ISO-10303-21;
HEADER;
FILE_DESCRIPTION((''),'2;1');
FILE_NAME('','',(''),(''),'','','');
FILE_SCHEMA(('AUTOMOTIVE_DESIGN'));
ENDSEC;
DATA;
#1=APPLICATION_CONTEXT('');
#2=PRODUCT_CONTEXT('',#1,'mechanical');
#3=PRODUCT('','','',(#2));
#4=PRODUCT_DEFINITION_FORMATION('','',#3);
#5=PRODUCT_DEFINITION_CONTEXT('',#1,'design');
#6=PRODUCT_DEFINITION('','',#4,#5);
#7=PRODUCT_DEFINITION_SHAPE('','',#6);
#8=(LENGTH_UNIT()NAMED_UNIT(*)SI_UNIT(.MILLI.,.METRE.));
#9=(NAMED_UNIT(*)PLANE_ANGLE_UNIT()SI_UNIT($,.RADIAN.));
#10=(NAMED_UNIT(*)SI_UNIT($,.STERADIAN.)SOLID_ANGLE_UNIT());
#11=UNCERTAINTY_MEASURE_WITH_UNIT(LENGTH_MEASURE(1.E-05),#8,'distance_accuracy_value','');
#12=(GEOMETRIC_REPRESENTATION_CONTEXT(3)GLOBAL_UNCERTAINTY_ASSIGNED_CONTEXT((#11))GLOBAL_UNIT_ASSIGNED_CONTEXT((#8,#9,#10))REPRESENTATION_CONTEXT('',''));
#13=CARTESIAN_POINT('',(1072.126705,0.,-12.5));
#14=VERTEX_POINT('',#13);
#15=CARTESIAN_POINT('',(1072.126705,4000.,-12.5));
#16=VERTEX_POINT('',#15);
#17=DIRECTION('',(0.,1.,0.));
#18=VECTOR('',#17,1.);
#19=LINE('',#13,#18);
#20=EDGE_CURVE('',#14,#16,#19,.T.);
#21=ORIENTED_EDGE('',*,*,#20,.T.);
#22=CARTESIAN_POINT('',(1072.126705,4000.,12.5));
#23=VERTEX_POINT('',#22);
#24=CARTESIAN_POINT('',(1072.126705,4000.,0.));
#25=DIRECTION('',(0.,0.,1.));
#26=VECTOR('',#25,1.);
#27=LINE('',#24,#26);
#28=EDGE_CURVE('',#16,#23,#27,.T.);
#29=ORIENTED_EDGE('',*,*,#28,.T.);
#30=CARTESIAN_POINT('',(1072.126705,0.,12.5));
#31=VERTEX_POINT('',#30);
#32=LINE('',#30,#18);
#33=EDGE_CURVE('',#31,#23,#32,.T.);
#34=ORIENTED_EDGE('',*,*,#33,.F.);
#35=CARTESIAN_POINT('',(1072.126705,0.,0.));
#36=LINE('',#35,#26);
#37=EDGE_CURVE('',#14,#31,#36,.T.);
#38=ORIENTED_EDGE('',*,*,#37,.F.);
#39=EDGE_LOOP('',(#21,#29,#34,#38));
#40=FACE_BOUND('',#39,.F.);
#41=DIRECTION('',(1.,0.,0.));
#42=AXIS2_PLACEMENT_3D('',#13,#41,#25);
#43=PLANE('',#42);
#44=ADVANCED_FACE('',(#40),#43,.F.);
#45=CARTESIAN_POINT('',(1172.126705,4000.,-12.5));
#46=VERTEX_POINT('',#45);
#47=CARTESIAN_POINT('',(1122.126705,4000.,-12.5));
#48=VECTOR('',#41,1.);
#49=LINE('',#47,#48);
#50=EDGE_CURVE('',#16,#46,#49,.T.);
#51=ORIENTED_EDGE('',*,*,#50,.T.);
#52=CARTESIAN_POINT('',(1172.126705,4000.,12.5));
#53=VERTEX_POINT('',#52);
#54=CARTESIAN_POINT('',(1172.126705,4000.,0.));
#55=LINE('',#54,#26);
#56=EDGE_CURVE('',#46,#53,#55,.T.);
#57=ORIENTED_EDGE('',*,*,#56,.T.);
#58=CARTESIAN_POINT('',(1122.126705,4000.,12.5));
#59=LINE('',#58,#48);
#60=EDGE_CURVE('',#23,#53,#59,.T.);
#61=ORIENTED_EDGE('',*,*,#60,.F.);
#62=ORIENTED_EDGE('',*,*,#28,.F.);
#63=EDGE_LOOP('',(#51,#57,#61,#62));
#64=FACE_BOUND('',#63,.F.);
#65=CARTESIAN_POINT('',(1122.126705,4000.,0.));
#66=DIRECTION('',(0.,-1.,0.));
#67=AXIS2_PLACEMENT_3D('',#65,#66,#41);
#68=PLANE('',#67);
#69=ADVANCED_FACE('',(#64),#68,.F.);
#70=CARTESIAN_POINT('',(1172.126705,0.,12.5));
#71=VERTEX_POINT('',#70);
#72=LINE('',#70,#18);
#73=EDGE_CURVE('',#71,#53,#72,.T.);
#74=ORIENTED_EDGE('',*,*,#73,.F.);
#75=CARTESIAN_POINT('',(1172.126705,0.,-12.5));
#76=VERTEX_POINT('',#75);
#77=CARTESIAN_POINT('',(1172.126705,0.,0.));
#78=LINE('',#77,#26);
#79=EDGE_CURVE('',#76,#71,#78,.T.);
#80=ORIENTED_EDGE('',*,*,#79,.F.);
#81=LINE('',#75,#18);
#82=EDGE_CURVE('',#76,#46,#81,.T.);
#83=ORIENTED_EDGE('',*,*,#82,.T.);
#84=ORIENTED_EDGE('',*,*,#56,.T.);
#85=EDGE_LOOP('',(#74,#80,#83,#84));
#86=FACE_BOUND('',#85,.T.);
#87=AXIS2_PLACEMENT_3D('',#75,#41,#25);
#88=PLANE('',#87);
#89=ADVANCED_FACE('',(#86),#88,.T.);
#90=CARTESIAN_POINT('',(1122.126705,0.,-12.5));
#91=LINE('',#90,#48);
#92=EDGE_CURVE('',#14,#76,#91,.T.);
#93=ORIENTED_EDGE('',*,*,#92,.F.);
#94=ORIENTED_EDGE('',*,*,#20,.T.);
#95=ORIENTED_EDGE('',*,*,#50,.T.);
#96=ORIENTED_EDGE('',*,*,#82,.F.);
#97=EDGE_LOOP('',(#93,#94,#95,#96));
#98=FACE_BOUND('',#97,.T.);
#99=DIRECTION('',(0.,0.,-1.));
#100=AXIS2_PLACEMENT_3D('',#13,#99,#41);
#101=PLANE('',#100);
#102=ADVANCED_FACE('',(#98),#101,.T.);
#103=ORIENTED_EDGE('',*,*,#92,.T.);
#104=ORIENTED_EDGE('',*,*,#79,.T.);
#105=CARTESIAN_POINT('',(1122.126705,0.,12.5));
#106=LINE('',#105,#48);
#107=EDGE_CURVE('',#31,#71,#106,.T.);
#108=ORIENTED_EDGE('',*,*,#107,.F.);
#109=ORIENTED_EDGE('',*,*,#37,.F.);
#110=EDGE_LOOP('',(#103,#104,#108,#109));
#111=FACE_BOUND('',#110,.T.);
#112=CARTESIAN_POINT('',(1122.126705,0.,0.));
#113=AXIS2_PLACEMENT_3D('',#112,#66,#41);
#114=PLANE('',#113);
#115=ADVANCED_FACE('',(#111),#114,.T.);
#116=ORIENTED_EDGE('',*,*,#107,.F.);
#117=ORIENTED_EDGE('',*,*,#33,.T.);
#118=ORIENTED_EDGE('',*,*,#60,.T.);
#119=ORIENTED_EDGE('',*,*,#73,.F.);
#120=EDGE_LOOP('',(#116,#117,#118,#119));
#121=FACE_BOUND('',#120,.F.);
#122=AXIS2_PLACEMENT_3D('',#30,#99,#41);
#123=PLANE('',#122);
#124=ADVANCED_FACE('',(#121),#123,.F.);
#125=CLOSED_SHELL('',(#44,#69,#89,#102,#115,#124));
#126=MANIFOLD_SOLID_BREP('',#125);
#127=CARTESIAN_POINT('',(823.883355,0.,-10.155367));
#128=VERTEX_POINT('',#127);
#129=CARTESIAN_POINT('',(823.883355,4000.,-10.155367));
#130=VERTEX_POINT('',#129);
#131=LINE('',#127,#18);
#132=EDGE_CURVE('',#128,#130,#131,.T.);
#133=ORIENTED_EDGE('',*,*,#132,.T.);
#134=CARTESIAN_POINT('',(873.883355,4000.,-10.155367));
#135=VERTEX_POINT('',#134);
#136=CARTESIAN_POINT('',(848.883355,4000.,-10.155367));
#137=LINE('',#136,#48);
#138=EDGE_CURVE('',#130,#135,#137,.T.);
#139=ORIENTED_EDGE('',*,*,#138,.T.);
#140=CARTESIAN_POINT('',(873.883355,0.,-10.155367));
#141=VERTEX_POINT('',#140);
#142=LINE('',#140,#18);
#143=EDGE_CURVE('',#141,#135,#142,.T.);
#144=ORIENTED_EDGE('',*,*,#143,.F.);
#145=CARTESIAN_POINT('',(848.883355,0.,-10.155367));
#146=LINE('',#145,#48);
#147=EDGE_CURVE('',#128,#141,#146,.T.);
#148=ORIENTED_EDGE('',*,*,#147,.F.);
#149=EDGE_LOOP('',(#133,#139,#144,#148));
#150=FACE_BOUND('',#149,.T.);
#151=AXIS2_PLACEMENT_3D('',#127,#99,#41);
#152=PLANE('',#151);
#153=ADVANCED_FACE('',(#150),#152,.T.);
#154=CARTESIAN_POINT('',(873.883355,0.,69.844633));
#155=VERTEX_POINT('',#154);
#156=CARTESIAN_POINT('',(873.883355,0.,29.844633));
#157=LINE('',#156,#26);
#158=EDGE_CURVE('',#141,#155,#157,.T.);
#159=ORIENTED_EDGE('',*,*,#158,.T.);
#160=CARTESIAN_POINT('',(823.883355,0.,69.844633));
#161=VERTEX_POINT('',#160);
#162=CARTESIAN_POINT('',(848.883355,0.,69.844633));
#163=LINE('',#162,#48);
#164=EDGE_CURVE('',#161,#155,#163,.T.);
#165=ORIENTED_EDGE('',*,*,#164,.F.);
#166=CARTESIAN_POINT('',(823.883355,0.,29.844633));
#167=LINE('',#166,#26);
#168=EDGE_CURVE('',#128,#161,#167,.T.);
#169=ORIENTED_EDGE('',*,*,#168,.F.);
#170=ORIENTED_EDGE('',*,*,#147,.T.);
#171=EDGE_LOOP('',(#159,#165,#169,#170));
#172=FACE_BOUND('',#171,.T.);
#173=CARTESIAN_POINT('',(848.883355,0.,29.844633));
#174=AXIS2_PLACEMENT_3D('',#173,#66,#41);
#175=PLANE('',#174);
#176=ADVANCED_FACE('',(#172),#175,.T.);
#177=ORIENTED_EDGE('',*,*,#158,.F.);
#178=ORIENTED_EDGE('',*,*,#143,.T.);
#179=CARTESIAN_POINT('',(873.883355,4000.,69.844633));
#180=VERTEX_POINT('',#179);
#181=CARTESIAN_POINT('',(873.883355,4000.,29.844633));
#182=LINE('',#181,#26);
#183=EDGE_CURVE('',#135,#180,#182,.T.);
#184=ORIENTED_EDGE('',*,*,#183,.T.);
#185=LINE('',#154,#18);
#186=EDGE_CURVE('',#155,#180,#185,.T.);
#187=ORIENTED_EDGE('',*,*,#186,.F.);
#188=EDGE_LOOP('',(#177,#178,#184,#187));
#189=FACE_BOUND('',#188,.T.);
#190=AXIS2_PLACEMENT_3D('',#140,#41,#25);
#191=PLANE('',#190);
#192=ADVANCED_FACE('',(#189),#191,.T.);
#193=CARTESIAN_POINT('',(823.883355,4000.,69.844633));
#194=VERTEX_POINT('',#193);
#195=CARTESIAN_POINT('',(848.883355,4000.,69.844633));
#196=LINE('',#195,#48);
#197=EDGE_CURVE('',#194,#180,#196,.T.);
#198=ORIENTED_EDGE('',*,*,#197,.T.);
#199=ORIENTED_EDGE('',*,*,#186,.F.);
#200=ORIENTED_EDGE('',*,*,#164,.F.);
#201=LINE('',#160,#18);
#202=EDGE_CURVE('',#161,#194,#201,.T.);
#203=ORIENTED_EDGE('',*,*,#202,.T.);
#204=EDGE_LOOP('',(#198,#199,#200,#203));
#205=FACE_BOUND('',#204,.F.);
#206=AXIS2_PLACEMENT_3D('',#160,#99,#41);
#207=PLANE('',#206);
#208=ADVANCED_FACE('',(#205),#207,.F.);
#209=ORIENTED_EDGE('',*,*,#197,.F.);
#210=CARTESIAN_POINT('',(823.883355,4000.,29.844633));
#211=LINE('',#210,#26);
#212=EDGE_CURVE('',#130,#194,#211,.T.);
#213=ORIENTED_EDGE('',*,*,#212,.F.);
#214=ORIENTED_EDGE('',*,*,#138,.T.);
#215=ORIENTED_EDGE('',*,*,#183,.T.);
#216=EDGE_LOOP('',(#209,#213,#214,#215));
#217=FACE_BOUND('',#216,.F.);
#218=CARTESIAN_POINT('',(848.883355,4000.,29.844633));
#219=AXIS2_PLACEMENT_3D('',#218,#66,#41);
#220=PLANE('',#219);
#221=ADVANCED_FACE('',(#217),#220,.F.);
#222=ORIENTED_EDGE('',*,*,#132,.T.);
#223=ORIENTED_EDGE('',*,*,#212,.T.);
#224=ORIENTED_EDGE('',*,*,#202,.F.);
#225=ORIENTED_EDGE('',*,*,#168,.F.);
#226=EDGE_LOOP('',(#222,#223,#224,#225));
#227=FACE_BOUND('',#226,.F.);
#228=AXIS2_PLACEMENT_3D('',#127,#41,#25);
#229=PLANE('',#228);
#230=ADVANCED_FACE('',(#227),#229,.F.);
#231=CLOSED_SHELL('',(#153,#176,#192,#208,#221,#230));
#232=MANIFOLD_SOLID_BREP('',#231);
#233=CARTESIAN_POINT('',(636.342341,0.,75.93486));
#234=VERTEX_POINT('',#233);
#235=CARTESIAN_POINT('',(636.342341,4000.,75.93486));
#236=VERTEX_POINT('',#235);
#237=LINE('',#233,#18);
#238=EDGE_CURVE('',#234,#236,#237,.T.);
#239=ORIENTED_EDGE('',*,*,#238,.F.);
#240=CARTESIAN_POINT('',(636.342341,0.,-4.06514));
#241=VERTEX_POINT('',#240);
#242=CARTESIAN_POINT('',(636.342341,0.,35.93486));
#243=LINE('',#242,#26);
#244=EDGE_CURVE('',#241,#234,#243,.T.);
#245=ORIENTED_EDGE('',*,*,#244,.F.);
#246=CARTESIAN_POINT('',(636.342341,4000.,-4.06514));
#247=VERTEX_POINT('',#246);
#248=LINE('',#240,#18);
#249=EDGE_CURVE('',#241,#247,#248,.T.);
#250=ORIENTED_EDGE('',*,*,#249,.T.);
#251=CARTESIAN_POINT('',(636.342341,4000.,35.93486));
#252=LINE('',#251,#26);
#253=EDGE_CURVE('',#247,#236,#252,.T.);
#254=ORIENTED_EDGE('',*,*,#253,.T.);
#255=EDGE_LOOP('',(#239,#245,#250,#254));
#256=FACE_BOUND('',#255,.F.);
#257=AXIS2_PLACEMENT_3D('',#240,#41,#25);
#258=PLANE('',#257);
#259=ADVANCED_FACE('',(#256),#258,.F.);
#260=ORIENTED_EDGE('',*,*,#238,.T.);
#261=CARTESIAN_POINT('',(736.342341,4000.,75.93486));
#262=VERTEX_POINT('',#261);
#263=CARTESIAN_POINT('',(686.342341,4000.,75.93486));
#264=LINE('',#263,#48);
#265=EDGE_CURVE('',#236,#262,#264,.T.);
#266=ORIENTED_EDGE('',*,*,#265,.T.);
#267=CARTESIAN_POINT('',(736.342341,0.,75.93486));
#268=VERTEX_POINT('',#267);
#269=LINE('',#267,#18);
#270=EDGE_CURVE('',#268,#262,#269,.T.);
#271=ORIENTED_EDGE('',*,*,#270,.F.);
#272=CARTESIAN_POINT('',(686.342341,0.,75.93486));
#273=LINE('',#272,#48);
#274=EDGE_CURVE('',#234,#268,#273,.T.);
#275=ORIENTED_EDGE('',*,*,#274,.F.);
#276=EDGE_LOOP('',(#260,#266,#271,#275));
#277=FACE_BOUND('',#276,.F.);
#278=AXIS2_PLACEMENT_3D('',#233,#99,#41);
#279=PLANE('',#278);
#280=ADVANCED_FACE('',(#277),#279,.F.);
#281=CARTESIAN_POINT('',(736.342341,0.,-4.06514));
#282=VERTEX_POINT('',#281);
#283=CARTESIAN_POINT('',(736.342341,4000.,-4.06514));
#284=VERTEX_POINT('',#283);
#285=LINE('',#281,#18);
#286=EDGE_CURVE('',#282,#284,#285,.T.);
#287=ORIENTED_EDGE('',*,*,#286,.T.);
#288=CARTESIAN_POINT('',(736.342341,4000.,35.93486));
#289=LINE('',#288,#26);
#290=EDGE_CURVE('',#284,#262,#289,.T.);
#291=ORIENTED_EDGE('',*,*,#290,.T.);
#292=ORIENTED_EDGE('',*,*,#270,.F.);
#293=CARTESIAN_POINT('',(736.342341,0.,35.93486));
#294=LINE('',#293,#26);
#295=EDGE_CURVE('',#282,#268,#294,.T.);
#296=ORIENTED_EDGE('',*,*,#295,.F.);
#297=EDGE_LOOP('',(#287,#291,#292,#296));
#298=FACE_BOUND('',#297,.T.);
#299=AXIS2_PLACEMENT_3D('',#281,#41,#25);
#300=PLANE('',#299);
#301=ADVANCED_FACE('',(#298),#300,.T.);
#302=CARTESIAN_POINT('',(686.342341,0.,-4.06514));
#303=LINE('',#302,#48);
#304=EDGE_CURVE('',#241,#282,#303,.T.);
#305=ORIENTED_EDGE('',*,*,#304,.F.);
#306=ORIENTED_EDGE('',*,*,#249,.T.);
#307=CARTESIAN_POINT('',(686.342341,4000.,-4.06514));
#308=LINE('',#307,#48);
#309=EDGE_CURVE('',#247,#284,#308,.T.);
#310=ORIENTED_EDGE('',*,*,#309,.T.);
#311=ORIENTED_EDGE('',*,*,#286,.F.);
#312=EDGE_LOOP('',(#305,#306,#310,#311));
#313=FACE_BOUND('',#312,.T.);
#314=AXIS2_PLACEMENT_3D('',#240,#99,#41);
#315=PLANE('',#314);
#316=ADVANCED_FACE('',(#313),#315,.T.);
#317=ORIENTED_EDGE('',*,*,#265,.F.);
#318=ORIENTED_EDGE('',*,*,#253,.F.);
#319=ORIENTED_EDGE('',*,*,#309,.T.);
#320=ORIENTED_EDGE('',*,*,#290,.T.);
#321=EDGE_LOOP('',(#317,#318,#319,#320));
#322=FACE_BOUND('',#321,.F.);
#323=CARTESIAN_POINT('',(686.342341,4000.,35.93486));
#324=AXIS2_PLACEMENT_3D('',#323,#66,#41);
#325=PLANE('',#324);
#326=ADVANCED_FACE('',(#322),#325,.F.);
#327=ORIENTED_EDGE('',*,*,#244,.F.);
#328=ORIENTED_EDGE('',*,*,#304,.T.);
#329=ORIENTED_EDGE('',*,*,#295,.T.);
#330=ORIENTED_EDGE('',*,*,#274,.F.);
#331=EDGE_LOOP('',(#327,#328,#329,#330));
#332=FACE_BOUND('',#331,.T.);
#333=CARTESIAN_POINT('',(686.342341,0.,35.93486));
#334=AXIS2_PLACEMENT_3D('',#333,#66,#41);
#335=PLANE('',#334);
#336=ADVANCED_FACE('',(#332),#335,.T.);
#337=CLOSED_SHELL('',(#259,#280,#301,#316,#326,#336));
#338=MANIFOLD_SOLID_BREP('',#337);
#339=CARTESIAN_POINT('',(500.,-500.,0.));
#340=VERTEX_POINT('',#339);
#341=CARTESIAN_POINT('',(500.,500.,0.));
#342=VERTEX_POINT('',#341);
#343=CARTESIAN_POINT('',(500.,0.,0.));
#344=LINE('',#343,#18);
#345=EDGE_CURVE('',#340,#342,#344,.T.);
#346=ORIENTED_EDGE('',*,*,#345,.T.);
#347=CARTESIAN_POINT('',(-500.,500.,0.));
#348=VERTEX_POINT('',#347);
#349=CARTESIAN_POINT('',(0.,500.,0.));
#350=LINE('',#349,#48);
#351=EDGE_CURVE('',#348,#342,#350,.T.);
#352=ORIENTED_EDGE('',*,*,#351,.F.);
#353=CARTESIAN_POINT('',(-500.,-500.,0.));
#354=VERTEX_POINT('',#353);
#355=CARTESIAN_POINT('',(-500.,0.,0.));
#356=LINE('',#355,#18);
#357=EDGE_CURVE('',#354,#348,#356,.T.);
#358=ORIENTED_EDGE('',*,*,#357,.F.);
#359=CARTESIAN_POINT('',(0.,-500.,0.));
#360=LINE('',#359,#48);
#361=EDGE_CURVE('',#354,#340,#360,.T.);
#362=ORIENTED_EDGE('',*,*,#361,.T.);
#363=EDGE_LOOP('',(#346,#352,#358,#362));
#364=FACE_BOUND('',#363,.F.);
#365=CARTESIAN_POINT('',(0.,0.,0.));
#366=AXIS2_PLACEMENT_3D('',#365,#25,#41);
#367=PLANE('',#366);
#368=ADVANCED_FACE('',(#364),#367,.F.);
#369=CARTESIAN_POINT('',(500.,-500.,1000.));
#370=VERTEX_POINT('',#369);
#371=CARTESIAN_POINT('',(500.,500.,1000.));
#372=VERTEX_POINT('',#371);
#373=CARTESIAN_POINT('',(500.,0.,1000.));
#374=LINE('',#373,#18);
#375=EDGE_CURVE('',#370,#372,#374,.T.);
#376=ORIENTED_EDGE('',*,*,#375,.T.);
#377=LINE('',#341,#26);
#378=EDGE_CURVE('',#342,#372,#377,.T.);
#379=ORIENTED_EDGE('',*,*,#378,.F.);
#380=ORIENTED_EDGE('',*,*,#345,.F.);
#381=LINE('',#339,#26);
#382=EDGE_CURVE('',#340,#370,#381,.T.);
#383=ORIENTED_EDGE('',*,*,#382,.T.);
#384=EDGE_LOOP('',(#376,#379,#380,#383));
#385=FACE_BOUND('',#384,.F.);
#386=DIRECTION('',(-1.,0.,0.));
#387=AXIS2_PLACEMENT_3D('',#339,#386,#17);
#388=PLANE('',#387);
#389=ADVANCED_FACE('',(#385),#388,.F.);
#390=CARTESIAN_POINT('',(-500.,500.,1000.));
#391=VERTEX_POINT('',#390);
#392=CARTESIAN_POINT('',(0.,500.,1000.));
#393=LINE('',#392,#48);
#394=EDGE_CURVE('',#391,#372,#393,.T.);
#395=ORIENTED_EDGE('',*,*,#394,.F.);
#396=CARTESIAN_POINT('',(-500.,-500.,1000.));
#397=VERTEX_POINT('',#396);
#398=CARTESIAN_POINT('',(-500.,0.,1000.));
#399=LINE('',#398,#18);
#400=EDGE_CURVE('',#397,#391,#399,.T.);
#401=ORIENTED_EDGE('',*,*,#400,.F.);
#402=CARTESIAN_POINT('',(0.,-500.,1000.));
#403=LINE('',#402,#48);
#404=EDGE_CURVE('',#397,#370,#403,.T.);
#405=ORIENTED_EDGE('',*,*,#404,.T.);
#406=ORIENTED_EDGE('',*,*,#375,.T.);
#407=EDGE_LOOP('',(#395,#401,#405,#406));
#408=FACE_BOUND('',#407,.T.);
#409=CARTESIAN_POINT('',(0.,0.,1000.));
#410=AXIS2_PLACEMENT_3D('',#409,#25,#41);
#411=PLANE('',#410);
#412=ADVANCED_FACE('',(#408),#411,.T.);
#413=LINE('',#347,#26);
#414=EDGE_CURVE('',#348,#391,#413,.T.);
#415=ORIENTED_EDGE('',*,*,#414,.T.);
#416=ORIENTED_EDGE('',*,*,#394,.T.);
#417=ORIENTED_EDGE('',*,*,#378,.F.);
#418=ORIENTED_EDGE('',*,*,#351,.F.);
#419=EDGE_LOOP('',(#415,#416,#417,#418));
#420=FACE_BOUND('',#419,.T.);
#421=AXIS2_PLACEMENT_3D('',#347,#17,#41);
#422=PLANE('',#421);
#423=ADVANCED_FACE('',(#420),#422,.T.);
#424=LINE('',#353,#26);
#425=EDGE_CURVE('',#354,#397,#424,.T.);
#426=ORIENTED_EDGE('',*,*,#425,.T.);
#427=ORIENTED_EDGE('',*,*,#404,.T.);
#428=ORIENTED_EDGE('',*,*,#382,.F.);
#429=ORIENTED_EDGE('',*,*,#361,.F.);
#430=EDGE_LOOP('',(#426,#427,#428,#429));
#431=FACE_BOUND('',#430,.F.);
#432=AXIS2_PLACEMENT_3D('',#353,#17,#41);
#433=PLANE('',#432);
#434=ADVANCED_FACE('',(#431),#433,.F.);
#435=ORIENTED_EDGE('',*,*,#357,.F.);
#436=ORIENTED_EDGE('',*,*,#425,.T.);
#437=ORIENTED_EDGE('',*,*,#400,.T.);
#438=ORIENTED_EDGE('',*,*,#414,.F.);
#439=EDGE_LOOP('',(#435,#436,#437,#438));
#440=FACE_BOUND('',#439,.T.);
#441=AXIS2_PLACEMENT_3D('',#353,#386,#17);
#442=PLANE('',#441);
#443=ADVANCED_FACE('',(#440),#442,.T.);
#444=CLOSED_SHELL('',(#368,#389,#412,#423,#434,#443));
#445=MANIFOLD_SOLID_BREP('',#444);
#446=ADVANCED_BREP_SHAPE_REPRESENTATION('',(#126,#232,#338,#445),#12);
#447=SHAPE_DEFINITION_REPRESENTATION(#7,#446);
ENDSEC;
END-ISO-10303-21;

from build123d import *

# Parameters (mm, degrees)
F0_W     = 1000
F0_H     = 1000
F1_DEPTH = 1000
F2_W     = 100
F2_H     = 80
F2_W_2   = 50
F2_H_2   = 25
F3_DEPTH = 4000


with BuildPart() as f1:
    # F0 (on Top) → F1 (new body)
    with BuildSketch(Plane.XY):
        Rectangle(F0_W, F0_H)
    extrude(amount=F1_DEPTH)


with BuildPart() as f3:
    # F2 (on Front) → F3 (new body)
    with BuildSketch(Plane.XZ):
        with Locations((686.342341, 35.93486)):
            Rectangle(F2_W, F2_H)
        with Locations((848.883355, 29.844633)):
            Rectangle(F2_W_2, F2_H)
        with Locations((1122.126705, 0)):
            Rectangle(F2_W, F2_H_2)
    extrude(amount=-F3_DEPTH)


solid = Compound([f1.part, f3.part])
